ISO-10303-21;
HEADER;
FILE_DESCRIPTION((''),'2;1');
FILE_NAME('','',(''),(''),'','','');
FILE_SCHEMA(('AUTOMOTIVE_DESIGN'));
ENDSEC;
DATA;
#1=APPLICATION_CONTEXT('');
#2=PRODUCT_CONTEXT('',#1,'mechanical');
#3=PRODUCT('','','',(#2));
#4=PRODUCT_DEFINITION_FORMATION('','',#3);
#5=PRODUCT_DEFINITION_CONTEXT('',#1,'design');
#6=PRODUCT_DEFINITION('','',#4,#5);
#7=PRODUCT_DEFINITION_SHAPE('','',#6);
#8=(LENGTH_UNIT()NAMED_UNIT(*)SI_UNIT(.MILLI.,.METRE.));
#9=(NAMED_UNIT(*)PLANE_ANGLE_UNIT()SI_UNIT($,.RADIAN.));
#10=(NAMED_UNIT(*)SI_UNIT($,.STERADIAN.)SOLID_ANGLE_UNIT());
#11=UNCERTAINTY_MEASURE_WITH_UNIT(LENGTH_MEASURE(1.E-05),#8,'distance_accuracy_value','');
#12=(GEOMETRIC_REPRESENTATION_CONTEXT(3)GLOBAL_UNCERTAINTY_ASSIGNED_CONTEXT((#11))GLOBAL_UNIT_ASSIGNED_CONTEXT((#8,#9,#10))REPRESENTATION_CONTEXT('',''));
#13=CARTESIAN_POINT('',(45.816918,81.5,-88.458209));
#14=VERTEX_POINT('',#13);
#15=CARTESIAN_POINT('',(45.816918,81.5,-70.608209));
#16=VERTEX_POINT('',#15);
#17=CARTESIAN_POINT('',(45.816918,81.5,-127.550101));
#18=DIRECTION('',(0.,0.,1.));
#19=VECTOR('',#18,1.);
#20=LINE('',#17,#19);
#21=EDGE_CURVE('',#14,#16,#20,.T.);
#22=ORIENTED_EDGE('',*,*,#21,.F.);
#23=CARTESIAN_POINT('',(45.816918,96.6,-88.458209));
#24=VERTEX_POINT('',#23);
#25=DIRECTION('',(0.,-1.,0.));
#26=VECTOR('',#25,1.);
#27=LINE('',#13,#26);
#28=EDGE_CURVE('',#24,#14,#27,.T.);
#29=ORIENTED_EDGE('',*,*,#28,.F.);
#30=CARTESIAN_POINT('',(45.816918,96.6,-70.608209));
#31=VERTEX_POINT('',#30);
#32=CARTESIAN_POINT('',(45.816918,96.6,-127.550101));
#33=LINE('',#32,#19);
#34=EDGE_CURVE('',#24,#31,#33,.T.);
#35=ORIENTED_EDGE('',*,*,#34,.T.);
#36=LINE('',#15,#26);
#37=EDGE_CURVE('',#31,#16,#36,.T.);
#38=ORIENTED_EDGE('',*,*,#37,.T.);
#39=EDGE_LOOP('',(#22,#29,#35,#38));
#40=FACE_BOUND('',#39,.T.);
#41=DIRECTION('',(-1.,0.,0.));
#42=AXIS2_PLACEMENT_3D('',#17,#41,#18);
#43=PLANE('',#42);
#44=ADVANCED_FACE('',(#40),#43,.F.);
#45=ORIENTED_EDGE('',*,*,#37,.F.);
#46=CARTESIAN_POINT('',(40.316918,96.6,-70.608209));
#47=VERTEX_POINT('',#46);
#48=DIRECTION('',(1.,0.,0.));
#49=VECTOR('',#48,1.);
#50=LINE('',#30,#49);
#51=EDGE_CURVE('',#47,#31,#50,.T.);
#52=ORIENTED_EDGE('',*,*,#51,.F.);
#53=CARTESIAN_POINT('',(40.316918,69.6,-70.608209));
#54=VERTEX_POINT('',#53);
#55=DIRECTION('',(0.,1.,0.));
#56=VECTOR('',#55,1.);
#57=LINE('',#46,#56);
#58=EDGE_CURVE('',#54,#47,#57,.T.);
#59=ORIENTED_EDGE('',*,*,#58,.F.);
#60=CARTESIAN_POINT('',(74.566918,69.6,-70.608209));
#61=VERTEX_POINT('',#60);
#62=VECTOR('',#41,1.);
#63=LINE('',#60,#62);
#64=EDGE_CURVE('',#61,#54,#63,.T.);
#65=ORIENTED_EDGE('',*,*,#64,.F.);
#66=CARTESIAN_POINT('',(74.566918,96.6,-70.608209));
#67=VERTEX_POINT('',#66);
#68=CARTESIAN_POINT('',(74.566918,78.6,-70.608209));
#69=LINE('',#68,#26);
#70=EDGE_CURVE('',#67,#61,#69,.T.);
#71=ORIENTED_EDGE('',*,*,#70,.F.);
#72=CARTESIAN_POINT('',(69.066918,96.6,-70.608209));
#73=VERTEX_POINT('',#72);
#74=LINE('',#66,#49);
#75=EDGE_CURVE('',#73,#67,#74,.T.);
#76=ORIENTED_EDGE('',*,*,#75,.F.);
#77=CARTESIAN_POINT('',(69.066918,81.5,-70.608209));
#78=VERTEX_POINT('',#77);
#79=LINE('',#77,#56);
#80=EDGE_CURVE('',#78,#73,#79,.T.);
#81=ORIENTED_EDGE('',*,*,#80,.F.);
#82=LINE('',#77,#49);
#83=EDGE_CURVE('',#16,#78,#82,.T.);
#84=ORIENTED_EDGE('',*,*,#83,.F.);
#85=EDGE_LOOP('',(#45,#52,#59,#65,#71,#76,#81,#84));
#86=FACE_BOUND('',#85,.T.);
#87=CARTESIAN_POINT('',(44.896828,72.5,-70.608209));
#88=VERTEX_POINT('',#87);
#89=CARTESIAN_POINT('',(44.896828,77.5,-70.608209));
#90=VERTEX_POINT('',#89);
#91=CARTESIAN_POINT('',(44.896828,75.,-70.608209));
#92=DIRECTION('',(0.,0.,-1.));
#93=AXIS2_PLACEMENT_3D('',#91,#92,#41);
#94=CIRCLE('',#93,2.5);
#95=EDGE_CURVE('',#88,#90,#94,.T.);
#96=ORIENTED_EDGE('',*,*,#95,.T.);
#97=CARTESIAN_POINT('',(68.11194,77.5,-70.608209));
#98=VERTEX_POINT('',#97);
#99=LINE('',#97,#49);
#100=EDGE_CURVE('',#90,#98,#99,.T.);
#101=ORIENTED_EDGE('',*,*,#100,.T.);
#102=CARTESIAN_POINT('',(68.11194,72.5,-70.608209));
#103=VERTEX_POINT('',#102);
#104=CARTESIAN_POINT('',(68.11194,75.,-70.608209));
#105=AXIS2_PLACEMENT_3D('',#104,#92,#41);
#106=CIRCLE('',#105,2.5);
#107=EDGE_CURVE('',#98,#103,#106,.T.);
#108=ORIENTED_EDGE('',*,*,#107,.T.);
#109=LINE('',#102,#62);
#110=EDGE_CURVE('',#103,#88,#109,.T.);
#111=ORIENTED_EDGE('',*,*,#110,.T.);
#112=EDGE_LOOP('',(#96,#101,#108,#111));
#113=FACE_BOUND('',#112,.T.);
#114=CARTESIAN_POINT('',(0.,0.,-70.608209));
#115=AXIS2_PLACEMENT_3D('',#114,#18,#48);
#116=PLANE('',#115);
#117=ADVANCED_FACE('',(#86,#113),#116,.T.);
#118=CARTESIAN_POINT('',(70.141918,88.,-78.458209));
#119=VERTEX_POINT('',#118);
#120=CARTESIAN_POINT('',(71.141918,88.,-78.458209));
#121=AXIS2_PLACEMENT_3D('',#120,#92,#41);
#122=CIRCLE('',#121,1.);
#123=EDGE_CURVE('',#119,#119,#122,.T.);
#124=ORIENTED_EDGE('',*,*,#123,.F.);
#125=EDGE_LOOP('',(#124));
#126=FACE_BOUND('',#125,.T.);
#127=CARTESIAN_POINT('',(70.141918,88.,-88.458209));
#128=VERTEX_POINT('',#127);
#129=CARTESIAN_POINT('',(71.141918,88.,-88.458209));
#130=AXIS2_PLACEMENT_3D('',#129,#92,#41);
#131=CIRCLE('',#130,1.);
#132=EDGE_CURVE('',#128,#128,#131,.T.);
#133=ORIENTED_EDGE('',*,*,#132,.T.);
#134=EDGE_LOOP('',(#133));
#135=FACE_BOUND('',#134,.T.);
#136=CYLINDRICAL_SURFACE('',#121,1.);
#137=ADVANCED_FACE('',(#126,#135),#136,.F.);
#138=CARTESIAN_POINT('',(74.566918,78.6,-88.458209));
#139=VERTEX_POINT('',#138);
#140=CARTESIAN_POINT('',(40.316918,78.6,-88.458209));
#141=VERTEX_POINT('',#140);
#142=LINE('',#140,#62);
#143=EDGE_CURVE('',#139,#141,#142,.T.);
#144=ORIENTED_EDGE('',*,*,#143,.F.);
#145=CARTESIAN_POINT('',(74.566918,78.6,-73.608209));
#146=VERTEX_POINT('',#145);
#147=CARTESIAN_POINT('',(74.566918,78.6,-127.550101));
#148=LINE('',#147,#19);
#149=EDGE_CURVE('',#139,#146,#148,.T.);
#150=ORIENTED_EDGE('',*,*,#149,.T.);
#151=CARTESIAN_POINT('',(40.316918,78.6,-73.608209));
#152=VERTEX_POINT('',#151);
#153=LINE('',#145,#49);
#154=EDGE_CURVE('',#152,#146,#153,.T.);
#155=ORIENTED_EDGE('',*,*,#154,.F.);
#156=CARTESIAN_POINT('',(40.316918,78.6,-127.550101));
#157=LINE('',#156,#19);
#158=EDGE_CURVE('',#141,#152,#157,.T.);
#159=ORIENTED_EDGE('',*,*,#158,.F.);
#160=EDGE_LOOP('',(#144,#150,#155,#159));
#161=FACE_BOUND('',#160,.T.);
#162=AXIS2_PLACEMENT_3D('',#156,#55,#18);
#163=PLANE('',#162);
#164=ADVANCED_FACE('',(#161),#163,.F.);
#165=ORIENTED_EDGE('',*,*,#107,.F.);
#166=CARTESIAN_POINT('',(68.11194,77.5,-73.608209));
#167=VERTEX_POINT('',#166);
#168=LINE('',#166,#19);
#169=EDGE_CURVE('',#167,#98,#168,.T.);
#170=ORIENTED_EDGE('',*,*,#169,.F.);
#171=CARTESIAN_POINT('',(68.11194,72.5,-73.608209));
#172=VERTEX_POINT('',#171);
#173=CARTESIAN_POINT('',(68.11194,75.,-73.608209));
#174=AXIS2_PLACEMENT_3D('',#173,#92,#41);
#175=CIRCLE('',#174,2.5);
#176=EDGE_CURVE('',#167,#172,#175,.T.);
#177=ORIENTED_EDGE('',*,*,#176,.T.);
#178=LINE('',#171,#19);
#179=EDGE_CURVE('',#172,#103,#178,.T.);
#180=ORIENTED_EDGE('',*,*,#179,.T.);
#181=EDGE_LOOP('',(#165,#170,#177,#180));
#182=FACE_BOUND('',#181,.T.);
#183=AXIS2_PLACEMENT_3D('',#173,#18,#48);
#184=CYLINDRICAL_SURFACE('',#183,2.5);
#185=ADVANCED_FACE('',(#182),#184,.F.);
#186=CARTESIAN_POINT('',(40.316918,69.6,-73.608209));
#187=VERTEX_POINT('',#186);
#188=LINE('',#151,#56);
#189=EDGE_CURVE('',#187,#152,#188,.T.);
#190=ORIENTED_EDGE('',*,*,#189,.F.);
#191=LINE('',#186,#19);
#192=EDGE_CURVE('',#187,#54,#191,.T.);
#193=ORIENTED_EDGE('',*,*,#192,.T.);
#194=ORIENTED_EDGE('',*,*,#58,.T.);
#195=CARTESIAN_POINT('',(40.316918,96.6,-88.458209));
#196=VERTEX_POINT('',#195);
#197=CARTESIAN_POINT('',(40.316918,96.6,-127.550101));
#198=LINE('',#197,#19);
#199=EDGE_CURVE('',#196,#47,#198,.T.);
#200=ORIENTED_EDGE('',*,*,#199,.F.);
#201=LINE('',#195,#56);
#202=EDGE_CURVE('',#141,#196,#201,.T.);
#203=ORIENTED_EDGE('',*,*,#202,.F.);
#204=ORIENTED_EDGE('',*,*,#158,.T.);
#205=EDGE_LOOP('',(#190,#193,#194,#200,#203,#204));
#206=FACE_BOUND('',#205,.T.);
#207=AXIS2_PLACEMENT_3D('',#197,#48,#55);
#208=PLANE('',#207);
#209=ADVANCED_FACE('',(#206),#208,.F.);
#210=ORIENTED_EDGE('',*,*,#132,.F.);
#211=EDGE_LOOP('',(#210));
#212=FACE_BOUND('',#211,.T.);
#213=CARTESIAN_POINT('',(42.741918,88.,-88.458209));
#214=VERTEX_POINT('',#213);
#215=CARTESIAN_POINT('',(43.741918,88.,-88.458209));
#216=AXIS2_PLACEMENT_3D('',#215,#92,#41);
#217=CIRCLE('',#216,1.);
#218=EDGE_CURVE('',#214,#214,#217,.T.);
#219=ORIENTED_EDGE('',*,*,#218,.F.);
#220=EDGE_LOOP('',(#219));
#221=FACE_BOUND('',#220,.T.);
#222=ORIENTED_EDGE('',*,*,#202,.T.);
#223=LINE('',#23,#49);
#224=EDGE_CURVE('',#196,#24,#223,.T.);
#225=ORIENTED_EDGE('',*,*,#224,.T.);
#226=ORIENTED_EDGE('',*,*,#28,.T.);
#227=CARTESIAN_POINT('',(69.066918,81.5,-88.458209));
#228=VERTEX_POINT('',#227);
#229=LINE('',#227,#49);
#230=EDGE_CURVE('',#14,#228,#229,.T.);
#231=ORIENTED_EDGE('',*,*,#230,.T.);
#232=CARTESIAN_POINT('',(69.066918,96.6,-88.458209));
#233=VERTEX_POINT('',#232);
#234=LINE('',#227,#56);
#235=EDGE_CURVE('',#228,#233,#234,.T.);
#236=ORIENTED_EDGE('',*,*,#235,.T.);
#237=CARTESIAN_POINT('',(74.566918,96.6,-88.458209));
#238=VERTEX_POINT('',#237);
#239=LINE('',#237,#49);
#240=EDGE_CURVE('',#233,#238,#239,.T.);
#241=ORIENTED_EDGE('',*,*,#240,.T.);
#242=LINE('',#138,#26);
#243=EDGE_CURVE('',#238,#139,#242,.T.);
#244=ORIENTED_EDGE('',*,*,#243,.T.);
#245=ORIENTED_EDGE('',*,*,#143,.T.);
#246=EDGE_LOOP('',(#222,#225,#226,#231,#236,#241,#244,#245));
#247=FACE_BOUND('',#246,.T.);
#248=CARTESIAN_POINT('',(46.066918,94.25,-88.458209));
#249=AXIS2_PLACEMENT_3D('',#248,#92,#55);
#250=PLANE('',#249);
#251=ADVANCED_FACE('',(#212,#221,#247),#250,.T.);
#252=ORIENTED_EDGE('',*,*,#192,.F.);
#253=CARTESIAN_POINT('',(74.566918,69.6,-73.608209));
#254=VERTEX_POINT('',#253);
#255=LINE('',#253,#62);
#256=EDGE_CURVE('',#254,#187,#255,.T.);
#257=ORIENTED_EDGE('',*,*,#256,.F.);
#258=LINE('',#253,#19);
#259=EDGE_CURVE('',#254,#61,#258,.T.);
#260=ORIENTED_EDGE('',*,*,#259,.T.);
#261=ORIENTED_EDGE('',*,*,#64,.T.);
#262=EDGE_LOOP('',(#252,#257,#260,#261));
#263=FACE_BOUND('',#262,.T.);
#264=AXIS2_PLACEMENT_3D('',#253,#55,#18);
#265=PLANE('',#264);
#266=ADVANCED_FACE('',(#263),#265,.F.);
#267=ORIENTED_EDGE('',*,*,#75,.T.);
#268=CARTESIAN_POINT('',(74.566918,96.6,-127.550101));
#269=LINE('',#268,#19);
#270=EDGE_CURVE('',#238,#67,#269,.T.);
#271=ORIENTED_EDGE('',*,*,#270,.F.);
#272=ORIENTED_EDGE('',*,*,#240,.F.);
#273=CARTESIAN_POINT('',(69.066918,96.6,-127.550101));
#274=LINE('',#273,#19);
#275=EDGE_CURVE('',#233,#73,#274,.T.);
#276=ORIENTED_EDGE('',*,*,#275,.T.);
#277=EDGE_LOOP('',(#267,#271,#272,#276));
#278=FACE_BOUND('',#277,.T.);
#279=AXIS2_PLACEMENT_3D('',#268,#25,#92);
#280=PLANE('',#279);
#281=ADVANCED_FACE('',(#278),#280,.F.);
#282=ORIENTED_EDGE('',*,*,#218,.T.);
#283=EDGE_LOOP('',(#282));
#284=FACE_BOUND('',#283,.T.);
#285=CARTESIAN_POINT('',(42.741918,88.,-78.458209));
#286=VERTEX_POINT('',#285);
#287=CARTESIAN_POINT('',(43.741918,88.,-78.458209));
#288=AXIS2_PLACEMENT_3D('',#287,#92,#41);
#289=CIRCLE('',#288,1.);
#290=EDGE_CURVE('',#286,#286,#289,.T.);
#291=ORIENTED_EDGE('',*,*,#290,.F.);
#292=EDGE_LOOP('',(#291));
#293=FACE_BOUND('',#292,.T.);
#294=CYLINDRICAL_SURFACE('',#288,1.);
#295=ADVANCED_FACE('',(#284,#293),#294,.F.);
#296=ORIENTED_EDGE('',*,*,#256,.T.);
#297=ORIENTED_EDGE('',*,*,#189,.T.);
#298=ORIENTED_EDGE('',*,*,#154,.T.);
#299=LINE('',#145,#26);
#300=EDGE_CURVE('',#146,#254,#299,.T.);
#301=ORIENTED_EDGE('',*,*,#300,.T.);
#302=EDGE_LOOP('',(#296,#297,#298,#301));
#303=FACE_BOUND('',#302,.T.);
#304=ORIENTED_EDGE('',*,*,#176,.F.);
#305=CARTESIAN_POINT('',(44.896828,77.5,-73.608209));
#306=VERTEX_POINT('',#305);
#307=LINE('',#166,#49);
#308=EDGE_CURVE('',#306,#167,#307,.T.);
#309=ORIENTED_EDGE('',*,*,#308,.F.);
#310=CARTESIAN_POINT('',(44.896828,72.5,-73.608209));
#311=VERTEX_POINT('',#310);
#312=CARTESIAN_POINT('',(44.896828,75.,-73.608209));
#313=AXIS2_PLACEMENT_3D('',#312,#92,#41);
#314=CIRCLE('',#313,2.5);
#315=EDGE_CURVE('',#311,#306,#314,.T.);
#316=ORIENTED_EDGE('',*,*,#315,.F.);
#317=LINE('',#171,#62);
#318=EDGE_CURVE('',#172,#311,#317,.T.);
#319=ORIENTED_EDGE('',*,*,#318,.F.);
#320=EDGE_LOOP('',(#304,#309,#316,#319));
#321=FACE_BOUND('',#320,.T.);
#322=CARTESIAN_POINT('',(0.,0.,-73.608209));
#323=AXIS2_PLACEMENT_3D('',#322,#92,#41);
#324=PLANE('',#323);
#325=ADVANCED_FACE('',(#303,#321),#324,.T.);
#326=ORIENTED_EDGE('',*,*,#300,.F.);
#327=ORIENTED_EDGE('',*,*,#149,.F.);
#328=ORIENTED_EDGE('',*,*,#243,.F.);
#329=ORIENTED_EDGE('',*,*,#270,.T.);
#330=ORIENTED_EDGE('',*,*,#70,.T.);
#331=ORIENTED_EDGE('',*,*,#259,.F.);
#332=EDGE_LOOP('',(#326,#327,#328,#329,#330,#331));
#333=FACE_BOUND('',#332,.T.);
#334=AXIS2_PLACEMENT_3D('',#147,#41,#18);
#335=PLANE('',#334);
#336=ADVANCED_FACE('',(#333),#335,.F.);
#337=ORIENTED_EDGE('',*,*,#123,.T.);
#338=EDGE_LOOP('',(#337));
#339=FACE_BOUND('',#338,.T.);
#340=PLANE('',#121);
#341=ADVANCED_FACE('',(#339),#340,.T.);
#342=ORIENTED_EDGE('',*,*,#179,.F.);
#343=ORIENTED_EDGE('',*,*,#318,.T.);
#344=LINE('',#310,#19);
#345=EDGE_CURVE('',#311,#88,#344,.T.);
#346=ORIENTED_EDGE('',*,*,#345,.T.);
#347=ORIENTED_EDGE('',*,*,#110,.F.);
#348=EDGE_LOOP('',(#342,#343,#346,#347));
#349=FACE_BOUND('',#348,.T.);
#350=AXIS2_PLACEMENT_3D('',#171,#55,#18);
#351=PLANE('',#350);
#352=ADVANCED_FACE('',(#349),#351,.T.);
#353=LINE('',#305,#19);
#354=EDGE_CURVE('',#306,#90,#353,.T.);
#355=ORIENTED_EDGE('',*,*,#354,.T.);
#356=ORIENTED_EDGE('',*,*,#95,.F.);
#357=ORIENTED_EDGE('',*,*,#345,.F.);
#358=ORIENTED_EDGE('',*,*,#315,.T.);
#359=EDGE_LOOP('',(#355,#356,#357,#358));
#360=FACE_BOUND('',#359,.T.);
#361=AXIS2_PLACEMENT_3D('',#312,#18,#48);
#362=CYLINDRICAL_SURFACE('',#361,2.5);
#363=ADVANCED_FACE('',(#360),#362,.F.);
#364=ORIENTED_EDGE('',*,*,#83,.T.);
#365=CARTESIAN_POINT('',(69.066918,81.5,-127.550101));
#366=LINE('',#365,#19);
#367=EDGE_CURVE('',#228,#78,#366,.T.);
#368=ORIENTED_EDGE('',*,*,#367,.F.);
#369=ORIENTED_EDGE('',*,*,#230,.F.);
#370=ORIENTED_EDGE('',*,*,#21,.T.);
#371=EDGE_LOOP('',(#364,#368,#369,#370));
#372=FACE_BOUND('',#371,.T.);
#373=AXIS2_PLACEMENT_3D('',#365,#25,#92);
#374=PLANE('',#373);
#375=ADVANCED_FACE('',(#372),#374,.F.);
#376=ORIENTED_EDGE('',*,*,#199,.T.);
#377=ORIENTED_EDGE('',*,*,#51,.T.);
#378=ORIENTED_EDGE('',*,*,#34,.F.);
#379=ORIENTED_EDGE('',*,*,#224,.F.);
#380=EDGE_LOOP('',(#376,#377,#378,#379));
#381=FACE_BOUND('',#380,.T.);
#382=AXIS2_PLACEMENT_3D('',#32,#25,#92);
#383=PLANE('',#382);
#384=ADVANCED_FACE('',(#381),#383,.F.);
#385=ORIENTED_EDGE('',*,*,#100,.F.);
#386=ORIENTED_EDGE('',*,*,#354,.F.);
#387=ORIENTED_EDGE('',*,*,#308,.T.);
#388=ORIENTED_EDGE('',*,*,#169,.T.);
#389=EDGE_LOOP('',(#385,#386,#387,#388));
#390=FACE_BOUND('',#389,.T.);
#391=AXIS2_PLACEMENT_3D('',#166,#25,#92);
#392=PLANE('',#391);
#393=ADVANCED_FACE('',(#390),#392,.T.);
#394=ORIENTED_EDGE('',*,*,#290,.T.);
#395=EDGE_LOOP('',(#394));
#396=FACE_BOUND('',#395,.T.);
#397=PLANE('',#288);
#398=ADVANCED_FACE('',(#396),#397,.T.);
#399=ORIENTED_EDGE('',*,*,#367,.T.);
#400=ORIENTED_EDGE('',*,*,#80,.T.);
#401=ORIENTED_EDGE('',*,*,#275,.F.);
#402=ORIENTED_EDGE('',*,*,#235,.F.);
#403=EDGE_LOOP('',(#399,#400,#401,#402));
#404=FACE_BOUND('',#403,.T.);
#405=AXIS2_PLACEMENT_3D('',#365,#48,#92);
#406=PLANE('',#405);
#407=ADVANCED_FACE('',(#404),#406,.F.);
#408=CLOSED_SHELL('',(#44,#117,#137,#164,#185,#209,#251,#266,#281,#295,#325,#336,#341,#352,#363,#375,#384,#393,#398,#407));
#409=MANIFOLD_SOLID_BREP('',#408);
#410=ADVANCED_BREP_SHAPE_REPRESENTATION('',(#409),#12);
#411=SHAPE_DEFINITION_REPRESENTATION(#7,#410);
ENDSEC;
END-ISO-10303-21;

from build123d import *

# Parameters (mm, degrees)
BOSS_EXTRUDE1_DEPTH = 17.85
SKETCH5_R           = 1
CUT_EXTRUDE1_DEPTH  = 10
SKETCH6_W           = 34.25
SKETCH6_H           = 9
BOSS_EXTRUDE2_DEPTH = 3


with BuildPart() as part:
    # Sketch4 → Boss-Extrude1 (new body)
    with BuildSketch(Plane(origin=(0, 0, -70.608208955), x_dir=(-1, 0, 0), z_dir=(0, 0, -1))):
        Polygon((-69.066917791, 81.5), (-45.816917791, 81.5), (-45.816917791, 96.6), (-40.316917791, 96.6), (-40.316917791, 78.6), (-74.566917791, 78.6), (-74.566917791, 96.6), (-69.066917791, 96.6), align=None)
    extrude(amount=BOSS_EXTRUDE1_DEPTH)

    # Sketch5 → Cut-Extrude1 (cut)
    with BuildSketch(Plane(origin=(0, 0, -88.458208955), x_dir=(-1, 0, 0), z_dir=(0, 0, -1))):
        with Locations((-43.741917791, 88)):
            Circle(SKETCH5_R)
        with Locations((-71.141917791, 88)):
            Circle(SKETCH5_R)
    extrude(amount=-CUT_EXTRUDE1_DEPTH, mode=Mode.SUBTRACT)

    # Sketch6 → Boss-Extrude2 (add)
    with BuildSketch(Plane(origin=(0, 0, -70.608208955), x_dir=(-1, 0, 0), z_dir=(0, 0, -1))):
        with Locations((-57.441917791, 74.1)):
            Rectangle(SKETCH6_W, SKETCH6_H)
        with BuildLine():
            Line((-68.111940299, 77.5), (-44.896828216, 77.5))
            ThreePointArc((-44.896828216, 77.5), (-42.396828216, 75), (-44.896828216, 72.5))
            Line((-44.896828216, 72.5), (-68.111940299, 72.5))
            ThreePointArc((-68.111940299, 72.5), (-70.611940299, 75), (-68.111940299, 77.5))
        make_face(mode=Mode.SUBTRACT)
    extrude(amount=BOSS_EXTRUDE2_DEPTH)


solid = part.part
